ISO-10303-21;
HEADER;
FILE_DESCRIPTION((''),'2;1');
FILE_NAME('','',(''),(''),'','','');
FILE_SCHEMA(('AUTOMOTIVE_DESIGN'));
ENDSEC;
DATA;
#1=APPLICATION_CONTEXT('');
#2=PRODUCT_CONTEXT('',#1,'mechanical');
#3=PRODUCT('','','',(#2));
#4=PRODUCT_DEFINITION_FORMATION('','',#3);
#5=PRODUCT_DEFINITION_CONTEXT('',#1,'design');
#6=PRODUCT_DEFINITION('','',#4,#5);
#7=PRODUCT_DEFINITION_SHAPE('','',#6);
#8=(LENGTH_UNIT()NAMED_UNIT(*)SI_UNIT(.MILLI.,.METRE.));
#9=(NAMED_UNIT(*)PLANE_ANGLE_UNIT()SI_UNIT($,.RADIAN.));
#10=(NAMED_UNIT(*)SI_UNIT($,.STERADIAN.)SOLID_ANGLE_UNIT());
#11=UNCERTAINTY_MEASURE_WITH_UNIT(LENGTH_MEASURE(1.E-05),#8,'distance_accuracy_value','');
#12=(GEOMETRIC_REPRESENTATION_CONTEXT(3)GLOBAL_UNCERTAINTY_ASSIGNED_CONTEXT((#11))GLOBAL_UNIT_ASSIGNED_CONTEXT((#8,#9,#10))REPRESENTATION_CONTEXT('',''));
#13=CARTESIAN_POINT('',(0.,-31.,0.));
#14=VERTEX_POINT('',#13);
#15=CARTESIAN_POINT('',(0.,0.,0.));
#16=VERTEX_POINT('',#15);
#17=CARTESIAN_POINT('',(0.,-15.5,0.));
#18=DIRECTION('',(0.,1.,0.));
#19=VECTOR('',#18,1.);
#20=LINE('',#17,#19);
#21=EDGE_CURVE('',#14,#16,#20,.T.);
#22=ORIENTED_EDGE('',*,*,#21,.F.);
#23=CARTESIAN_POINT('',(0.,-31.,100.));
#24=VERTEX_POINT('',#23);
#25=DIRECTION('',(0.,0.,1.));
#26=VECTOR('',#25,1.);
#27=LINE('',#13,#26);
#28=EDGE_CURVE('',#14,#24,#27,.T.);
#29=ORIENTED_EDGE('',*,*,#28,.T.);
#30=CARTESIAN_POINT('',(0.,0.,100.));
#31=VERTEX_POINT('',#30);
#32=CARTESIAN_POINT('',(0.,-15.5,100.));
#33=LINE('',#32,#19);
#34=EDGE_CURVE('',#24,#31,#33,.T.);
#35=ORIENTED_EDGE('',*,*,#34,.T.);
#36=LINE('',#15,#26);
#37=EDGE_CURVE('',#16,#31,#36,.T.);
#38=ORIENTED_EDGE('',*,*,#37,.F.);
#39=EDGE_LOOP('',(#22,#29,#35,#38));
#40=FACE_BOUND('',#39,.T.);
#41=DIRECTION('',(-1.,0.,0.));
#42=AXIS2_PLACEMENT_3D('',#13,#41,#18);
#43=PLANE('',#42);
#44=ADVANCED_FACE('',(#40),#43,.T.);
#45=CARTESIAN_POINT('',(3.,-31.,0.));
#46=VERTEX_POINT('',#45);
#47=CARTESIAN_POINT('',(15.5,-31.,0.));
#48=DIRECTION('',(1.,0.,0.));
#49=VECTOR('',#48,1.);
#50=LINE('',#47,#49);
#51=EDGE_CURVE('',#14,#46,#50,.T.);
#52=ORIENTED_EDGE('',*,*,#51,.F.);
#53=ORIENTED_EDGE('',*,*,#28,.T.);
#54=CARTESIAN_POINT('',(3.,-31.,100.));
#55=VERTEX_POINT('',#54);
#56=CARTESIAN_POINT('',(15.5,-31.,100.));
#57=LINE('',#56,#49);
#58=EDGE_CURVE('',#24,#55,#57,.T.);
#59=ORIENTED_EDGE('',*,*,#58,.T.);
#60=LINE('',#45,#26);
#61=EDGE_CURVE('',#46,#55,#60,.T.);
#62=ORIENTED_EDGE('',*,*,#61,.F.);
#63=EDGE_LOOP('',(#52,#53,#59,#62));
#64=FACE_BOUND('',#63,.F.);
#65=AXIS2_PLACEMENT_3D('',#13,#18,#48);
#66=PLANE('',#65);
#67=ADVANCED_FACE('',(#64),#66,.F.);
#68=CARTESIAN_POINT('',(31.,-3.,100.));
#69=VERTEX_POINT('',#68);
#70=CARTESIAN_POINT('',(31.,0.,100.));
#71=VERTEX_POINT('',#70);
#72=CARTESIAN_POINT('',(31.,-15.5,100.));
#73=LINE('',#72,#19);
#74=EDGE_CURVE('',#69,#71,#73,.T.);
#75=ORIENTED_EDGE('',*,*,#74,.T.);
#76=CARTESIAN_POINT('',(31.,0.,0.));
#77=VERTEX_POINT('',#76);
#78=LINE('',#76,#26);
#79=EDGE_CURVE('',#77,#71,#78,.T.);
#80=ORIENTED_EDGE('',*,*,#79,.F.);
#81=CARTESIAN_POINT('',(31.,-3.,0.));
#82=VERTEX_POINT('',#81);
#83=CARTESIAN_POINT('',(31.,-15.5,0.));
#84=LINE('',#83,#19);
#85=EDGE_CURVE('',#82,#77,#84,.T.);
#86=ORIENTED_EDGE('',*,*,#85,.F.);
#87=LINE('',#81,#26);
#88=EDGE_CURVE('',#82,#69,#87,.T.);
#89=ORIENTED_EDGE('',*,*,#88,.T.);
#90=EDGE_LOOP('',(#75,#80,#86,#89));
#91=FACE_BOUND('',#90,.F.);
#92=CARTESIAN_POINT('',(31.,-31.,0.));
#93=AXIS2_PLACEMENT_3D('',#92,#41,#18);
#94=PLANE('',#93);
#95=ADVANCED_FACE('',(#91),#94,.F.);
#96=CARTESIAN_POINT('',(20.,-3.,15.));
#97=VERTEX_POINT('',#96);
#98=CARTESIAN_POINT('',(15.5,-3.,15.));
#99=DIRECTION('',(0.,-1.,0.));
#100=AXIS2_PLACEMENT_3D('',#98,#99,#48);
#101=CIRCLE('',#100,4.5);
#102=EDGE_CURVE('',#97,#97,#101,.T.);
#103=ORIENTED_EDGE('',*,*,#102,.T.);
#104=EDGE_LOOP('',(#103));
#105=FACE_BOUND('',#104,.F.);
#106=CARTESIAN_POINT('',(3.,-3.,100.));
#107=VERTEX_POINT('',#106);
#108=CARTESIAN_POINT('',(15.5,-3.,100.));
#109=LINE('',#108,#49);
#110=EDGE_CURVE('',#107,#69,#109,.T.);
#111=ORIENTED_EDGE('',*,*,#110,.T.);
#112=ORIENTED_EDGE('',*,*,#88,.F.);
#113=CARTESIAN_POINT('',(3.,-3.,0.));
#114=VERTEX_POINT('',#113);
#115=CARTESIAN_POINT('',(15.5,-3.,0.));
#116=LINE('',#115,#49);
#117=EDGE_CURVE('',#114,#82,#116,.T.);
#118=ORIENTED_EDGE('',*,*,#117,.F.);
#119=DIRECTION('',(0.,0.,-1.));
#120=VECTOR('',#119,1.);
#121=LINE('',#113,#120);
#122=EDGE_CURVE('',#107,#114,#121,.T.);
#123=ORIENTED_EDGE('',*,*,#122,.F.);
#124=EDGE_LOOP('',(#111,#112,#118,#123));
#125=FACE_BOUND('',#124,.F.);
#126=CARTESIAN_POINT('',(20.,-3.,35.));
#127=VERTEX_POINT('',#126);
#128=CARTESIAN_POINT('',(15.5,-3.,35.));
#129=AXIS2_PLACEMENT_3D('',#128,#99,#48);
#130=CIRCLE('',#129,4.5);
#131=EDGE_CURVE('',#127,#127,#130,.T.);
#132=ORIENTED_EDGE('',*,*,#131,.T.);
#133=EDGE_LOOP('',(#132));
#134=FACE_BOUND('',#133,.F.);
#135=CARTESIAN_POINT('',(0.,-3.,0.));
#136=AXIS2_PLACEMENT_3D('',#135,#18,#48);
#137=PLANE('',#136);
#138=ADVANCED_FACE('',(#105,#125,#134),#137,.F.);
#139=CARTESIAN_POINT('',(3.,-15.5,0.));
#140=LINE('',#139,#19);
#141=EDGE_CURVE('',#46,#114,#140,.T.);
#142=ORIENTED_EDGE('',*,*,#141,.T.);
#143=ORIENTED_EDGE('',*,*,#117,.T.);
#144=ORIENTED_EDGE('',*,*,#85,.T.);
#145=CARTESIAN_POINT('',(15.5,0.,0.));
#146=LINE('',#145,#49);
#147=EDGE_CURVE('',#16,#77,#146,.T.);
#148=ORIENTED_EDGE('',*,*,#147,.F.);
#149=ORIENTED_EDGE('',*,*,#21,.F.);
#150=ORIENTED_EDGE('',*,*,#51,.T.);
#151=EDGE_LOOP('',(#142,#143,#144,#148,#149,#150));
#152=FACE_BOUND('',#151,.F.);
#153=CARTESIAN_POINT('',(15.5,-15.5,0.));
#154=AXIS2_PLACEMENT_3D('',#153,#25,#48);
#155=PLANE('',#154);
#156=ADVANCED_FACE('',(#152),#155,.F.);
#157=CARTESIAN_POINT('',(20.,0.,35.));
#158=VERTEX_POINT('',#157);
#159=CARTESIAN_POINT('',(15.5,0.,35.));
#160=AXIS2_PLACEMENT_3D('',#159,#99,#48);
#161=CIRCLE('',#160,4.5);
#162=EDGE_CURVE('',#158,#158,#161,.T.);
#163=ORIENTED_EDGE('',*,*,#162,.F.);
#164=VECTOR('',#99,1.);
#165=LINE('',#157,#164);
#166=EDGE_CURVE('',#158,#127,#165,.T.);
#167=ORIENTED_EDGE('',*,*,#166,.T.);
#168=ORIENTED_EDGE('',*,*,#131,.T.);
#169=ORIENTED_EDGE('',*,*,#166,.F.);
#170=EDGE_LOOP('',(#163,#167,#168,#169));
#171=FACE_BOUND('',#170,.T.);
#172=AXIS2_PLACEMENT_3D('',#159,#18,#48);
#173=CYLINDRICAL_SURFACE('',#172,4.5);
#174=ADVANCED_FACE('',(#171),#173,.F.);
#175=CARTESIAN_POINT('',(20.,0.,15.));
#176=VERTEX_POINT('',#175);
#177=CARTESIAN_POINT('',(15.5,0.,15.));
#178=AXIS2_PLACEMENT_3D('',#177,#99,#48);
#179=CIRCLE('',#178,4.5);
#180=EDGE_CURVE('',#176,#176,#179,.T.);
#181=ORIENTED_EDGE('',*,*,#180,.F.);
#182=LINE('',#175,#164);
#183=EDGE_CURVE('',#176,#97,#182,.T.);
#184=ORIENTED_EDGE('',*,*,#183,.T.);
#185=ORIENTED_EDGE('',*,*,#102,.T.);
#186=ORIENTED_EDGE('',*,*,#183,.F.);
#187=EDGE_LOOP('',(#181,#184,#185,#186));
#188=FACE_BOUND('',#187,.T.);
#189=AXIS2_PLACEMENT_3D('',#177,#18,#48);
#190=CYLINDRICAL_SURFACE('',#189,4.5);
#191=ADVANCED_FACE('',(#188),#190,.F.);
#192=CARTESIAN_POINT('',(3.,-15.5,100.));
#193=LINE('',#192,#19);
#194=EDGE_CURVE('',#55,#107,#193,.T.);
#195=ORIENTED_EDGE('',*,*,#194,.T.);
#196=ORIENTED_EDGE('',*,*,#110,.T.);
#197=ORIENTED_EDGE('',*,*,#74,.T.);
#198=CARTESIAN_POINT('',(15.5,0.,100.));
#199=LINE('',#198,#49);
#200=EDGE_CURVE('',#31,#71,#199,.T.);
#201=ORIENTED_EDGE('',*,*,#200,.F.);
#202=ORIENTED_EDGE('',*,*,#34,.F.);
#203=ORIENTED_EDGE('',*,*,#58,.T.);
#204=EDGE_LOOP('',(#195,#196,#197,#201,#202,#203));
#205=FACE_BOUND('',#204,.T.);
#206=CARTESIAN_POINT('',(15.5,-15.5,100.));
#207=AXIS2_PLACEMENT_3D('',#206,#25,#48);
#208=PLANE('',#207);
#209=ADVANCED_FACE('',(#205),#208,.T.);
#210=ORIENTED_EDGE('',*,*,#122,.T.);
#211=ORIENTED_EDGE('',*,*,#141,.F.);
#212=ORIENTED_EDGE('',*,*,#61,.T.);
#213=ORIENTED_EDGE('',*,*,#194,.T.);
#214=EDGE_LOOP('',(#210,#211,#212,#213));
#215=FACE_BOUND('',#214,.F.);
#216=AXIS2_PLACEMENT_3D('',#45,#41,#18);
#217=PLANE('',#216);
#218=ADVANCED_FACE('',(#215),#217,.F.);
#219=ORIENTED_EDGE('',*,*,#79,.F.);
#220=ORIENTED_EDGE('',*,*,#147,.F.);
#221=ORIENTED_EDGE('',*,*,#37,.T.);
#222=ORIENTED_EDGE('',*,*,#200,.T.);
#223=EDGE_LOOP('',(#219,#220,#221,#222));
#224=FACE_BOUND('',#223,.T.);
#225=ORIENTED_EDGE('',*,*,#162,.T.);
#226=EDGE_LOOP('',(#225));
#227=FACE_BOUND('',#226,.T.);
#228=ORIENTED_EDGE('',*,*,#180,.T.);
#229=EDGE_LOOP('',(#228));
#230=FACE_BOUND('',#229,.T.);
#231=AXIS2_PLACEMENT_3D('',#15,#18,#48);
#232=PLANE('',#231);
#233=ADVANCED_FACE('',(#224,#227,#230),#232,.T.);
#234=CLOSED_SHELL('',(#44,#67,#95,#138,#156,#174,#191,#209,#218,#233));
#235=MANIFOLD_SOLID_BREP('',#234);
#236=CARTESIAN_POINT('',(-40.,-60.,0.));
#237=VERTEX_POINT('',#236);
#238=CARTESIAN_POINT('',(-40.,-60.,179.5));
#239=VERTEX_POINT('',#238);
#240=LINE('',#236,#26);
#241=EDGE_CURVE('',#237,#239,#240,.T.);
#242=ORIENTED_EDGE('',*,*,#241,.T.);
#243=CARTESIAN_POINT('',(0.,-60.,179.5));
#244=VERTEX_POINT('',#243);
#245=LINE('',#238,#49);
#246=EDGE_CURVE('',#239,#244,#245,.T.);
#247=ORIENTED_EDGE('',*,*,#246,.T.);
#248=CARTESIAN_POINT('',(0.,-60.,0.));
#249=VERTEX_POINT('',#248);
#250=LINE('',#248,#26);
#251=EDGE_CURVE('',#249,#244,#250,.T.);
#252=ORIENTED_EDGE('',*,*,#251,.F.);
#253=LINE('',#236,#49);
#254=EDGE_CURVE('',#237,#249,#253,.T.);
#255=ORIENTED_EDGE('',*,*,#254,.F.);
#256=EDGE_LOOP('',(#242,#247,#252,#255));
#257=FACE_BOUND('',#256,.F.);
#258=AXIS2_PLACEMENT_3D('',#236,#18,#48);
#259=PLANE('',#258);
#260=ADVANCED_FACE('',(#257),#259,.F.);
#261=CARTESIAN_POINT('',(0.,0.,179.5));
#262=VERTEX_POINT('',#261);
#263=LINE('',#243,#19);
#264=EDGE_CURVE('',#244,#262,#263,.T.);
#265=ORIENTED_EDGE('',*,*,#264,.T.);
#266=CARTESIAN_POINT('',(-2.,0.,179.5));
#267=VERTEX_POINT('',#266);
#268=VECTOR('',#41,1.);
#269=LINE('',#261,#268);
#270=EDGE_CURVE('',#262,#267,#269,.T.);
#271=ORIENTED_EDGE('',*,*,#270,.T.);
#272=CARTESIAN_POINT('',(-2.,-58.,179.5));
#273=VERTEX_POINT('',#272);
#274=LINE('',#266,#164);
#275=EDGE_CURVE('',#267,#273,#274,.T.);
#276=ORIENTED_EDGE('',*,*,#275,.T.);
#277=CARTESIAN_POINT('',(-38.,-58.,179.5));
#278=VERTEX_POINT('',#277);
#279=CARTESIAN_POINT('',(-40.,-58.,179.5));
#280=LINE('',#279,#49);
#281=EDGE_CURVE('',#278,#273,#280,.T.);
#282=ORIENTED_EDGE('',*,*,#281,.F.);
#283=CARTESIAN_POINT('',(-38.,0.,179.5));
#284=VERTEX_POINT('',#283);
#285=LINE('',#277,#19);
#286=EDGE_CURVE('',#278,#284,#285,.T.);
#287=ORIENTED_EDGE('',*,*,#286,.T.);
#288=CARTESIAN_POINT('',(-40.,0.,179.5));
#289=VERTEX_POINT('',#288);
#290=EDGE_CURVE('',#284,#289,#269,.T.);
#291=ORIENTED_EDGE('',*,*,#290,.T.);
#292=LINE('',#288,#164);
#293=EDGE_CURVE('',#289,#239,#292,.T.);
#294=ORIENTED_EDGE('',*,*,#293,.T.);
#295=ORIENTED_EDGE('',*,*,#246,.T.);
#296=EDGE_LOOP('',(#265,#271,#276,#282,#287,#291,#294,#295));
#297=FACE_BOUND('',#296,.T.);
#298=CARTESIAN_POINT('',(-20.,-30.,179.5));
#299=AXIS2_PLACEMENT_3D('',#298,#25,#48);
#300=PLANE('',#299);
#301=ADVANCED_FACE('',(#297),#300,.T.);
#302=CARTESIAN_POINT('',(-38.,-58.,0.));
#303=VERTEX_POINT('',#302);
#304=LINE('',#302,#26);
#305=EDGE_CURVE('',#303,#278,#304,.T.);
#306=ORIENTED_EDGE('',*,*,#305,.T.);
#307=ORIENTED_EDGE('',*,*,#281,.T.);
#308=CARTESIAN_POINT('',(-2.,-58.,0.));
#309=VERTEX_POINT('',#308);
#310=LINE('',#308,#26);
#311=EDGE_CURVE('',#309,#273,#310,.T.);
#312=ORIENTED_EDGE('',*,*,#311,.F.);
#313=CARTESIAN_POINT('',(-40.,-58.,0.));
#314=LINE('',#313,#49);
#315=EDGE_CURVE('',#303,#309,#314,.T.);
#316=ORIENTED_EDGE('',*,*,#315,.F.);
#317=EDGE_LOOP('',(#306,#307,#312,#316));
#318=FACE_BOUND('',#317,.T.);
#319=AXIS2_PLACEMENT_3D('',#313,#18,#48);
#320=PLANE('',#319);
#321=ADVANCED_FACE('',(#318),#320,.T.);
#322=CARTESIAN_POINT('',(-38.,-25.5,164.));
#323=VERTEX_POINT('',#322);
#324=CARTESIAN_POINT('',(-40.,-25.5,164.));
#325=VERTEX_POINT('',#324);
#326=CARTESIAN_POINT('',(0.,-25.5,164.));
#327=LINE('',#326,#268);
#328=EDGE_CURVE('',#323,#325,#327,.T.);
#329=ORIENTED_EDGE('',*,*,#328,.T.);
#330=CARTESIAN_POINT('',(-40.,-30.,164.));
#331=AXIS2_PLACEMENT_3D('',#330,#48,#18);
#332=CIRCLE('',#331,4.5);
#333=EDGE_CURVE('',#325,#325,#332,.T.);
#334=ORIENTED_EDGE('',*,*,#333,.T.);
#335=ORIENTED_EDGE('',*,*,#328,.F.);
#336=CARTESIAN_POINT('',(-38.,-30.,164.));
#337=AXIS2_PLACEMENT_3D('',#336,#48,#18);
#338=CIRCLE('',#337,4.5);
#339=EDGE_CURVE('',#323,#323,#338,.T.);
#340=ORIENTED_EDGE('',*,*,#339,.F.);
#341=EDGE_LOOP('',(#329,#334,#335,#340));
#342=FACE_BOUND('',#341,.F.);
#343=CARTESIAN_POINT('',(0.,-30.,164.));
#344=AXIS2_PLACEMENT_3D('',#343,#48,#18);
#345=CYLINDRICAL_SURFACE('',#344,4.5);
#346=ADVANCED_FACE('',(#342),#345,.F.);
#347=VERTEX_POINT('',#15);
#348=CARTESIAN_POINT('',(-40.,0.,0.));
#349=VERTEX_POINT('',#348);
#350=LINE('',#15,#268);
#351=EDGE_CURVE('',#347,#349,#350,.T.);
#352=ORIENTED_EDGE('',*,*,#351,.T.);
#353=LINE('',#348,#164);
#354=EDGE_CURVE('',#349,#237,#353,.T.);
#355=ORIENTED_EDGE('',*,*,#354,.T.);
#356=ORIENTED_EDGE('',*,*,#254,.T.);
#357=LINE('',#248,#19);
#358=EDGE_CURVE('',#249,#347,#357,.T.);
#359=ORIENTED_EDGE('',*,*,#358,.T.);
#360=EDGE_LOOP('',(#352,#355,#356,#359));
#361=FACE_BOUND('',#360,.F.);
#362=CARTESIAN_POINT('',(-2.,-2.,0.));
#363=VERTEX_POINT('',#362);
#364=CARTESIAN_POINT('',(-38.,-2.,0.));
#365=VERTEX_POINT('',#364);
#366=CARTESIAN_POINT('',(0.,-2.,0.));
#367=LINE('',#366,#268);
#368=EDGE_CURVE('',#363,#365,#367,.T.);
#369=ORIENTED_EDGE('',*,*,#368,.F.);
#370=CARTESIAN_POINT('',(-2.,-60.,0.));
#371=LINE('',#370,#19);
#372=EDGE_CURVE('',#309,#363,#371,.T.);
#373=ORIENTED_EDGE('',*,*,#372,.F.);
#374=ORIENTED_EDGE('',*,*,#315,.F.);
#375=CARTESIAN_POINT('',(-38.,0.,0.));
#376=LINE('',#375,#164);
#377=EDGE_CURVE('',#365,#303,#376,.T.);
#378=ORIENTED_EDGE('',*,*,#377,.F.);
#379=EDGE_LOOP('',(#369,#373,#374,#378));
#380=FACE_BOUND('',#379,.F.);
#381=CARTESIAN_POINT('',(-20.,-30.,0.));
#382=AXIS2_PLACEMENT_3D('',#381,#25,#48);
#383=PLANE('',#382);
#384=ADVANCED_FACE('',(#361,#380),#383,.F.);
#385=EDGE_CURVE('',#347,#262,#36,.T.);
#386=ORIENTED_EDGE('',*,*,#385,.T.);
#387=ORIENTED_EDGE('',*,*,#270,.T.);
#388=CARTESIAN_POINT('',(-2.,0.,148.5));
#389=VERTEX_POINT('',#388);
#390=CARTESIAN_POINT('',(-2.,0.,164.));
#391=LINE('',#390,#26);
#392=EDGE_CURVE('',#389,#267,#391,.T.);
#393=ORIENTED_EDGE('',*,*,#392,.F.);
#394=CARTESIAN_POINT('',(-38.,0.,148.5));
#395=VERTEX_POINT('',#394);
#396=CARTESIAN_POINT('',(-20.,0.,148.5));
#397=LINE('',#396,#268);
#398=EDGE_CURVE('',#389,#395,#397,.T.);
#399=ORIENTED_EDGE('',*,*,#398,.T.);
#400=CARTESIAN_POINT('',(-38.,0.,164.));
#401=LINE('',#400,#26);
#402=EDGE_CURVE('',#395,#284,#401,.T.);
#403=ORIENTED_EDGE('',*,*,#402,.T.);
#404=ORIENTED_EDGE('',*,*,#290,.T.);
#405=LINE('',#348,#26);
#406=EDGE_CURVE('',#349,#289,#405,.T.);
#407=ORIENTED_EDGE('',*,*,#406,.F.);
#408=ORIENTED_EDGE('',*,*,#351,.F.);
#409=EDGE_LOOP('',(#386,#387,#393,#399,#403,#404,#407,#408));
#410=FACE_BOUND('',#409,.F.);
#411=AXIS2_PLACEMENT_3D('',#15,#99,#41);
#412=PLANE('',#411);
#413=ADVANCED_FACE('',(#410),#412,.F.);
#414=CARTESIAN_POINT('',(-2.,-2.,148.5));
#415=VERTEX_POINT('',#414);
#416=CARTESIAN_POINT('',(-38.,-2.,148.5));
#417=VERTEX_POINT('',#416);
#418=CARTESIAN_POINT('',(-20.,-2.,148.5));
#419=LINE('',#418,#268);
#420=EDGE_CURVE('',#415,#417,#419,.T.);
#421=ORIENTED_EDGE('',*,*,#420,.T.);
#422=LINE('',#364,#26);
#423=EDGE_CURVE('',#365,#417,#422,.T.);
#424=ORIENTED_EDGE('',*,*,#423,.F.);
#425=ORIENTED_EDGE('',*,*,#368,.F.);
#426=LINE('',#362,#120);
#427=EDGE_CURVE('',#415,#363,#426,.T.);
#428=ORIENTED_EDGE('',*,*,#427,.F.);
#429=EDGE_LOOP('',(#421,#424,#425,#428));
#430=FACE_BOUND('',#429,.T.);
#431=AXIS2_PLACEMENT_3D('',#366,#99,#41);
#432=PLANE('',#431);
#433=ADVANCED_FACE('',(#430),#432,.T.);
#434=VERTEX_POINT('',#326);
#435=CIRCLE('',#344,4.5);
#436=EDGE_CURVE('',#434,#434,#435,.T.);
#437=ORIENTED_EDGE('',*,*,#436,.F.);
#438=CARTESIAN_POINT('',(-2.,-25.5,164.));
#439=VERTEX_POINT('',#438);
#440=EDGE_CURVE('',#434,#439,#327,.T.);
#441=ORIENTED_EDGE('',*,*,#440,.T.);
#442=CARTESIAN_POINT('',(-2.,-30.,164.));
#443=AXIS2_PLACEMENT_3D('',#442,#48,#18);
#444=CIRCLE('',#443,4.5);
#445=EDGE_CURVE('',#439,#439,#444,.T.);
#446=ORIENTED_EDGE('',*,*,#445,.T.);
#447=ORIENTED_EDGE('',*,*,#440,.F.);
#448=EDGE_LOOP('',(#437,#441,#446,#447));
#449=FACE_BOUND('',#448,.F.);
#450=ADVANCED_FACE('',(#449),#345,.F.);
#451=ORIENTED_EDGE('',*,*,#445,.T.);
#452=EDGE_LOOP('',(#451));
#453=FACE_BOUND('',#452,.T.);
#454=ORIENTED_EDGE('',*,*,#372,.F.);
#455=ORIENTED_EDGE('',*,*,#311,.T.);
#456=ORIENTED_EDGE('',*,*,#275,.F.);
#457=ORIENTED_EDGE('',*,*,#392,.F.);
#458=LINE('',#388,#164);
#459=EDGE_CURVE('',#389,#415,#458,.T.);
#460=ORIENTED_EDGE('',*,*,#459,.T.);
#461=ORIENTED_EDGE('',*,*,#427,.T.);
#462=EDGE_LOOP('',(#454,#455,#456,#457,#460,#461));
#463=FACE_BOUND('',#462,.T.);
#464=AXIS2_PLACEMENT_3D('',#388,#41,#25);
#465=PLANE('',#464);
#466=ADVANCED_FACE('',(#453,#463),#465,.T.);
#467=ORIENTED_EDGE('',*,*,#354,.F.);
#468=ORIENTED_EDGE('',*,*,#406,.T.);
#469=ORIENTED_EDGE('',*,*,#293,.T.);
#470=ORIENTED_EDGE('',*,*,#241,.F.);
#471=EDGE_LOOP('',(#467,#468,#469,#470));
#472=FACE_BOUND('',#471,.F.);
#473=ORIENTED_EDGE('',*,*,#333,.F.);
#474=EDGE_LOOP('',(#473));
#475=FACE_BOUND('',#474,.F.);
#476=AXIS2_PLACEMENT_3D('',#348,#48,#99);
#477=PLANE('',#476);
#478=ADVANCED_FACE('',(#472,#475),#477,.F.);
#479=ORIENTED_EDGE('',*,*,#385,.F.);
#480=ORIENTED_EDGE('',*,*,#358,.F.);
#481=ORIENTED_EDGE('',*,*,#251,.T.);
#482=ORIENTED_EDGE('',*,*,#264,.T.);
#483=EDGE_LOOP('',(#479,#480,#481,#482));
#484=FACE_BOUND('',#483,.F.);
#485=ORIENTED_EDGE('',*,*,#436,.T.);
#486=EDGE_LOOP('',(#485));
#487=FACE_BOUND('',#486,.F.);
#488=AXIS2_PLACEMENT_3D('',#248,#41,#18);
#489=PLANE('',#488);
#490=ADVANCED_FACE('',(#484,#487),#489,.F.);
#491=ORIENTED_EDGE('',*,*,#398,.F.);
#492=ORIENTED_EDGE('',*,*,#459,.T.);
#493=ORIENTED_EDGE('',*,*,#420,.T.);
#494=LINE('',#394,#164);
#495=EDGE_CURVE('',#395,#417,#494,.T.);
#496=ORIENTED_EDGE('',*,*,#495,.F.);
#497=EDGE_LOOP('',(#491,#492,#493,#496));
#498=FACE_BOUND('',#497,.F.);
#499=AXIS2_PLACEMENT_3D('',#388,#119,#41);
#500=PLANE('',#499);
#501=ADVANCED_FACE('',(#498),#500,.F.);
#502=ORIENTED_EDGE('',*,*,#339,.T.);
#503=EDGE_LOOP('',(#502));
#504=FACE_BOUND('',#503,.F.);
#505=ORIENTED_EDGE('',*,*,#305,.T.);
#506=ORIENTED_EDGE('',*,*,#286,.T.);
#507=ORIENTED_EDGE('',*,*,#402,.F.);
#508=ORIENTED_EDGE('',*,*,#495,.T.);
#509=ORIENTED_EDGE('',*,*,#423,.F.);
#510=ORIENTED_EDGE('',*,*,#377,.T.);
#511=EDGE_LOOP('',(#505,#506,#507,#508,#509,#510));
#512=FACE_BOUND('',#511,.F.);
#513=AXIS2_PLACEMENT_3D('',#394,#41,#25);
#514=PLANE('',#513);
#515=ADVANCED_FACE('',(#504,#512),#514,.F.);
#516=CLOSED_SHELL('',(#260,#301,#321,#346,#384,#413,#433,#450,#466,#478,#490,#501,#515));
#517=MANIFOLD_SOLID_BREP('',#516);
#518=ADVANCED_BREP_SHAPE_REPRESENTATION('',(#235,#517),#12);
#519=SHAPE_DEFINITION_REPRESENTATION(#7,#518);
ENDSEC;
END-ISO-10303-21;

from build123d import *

# Parameters (mm, degrees)
F4_DEPTH  = 179.5
F3_W      = 31
F3_H      = 31
F5_DEPTH  = 100
F6_T      = -2
F7_T      = -3
F8_W      = 36
F8_H      = 31
F9_DEPTH  = 2
F10_R     = 4.5
F11_DEPTH = 3
F12_R     = 4.5
F13_DEPTH = 40.001


with BuildPart() as f4:
    # F3 (on Top) → F4 (new body)
    with BuildSketch(Plane.XY):
        Polygon((0, -31), (0, 0), (-40, 0), (-40, -60), (0, -60), align=None)
    extrude(amount=F4_DEPTH)

    # F6
    f6_openings = [f4.faces().sort_by_distance(p)[0] for p in [
        (-20, -30, 179.5),
        (-20, -30, 0),
    ]]
    offset(amount=F6_T, openings=f6_openings)

    # F8 (on face) → F9 (cut, through all)
    with BuildSketch(Plane(origin=(0, 0, 0), x_dir=(-1, 0, 0), z_dir=(0, 1, 0))):
        with Locations((20, 164)):
            Rectangle(F8_W, F8_H)
    extrude(amount=-F9_DEPTH, mode=Mode.SUBTRACT)

    # F12 (on Right) → F13 (cut, through all)
    with BuildSketch(Plane.YZ):
        with Locations((-30, 164)):
            Circle(F12_R)
    extrude(amount=-F13_DEPTH, mode=Mode.SUBTRACT)


with BuildPart() as f5:
    # F3 (on Top) → F5 (new body)
    with BuildSketch(Plane.XY):
        with Locations((15.5, -15.5)):
            Rectangle(F3_W, F3_H)
    extrude(amount=F5_DEPTH)

    # F7
    f7_openings = [f5.faces().sort_by_distance(p)[0] for p in [
        (15.5, -15.5, 100),
        (15.5, -31, 50),
        (31, -15.5, 50),
        (15.5, -15.5, 0),
    ]]
    offset(amount=F7_T, openings=f7_openings)

    # F10 (on Front) → F11 (cut, through all)
    with BuildSketch(Plane.XZ):
        with Locations((15.5, 35)):
            Circle(F10_R)
        with Locations((15.5, 15)):
            Circle(F10_R)
    extrude(amount=F11_DEPTH, mode=Mode.SUBTRACT)


solid = Compound([f4.part, f5.part])
